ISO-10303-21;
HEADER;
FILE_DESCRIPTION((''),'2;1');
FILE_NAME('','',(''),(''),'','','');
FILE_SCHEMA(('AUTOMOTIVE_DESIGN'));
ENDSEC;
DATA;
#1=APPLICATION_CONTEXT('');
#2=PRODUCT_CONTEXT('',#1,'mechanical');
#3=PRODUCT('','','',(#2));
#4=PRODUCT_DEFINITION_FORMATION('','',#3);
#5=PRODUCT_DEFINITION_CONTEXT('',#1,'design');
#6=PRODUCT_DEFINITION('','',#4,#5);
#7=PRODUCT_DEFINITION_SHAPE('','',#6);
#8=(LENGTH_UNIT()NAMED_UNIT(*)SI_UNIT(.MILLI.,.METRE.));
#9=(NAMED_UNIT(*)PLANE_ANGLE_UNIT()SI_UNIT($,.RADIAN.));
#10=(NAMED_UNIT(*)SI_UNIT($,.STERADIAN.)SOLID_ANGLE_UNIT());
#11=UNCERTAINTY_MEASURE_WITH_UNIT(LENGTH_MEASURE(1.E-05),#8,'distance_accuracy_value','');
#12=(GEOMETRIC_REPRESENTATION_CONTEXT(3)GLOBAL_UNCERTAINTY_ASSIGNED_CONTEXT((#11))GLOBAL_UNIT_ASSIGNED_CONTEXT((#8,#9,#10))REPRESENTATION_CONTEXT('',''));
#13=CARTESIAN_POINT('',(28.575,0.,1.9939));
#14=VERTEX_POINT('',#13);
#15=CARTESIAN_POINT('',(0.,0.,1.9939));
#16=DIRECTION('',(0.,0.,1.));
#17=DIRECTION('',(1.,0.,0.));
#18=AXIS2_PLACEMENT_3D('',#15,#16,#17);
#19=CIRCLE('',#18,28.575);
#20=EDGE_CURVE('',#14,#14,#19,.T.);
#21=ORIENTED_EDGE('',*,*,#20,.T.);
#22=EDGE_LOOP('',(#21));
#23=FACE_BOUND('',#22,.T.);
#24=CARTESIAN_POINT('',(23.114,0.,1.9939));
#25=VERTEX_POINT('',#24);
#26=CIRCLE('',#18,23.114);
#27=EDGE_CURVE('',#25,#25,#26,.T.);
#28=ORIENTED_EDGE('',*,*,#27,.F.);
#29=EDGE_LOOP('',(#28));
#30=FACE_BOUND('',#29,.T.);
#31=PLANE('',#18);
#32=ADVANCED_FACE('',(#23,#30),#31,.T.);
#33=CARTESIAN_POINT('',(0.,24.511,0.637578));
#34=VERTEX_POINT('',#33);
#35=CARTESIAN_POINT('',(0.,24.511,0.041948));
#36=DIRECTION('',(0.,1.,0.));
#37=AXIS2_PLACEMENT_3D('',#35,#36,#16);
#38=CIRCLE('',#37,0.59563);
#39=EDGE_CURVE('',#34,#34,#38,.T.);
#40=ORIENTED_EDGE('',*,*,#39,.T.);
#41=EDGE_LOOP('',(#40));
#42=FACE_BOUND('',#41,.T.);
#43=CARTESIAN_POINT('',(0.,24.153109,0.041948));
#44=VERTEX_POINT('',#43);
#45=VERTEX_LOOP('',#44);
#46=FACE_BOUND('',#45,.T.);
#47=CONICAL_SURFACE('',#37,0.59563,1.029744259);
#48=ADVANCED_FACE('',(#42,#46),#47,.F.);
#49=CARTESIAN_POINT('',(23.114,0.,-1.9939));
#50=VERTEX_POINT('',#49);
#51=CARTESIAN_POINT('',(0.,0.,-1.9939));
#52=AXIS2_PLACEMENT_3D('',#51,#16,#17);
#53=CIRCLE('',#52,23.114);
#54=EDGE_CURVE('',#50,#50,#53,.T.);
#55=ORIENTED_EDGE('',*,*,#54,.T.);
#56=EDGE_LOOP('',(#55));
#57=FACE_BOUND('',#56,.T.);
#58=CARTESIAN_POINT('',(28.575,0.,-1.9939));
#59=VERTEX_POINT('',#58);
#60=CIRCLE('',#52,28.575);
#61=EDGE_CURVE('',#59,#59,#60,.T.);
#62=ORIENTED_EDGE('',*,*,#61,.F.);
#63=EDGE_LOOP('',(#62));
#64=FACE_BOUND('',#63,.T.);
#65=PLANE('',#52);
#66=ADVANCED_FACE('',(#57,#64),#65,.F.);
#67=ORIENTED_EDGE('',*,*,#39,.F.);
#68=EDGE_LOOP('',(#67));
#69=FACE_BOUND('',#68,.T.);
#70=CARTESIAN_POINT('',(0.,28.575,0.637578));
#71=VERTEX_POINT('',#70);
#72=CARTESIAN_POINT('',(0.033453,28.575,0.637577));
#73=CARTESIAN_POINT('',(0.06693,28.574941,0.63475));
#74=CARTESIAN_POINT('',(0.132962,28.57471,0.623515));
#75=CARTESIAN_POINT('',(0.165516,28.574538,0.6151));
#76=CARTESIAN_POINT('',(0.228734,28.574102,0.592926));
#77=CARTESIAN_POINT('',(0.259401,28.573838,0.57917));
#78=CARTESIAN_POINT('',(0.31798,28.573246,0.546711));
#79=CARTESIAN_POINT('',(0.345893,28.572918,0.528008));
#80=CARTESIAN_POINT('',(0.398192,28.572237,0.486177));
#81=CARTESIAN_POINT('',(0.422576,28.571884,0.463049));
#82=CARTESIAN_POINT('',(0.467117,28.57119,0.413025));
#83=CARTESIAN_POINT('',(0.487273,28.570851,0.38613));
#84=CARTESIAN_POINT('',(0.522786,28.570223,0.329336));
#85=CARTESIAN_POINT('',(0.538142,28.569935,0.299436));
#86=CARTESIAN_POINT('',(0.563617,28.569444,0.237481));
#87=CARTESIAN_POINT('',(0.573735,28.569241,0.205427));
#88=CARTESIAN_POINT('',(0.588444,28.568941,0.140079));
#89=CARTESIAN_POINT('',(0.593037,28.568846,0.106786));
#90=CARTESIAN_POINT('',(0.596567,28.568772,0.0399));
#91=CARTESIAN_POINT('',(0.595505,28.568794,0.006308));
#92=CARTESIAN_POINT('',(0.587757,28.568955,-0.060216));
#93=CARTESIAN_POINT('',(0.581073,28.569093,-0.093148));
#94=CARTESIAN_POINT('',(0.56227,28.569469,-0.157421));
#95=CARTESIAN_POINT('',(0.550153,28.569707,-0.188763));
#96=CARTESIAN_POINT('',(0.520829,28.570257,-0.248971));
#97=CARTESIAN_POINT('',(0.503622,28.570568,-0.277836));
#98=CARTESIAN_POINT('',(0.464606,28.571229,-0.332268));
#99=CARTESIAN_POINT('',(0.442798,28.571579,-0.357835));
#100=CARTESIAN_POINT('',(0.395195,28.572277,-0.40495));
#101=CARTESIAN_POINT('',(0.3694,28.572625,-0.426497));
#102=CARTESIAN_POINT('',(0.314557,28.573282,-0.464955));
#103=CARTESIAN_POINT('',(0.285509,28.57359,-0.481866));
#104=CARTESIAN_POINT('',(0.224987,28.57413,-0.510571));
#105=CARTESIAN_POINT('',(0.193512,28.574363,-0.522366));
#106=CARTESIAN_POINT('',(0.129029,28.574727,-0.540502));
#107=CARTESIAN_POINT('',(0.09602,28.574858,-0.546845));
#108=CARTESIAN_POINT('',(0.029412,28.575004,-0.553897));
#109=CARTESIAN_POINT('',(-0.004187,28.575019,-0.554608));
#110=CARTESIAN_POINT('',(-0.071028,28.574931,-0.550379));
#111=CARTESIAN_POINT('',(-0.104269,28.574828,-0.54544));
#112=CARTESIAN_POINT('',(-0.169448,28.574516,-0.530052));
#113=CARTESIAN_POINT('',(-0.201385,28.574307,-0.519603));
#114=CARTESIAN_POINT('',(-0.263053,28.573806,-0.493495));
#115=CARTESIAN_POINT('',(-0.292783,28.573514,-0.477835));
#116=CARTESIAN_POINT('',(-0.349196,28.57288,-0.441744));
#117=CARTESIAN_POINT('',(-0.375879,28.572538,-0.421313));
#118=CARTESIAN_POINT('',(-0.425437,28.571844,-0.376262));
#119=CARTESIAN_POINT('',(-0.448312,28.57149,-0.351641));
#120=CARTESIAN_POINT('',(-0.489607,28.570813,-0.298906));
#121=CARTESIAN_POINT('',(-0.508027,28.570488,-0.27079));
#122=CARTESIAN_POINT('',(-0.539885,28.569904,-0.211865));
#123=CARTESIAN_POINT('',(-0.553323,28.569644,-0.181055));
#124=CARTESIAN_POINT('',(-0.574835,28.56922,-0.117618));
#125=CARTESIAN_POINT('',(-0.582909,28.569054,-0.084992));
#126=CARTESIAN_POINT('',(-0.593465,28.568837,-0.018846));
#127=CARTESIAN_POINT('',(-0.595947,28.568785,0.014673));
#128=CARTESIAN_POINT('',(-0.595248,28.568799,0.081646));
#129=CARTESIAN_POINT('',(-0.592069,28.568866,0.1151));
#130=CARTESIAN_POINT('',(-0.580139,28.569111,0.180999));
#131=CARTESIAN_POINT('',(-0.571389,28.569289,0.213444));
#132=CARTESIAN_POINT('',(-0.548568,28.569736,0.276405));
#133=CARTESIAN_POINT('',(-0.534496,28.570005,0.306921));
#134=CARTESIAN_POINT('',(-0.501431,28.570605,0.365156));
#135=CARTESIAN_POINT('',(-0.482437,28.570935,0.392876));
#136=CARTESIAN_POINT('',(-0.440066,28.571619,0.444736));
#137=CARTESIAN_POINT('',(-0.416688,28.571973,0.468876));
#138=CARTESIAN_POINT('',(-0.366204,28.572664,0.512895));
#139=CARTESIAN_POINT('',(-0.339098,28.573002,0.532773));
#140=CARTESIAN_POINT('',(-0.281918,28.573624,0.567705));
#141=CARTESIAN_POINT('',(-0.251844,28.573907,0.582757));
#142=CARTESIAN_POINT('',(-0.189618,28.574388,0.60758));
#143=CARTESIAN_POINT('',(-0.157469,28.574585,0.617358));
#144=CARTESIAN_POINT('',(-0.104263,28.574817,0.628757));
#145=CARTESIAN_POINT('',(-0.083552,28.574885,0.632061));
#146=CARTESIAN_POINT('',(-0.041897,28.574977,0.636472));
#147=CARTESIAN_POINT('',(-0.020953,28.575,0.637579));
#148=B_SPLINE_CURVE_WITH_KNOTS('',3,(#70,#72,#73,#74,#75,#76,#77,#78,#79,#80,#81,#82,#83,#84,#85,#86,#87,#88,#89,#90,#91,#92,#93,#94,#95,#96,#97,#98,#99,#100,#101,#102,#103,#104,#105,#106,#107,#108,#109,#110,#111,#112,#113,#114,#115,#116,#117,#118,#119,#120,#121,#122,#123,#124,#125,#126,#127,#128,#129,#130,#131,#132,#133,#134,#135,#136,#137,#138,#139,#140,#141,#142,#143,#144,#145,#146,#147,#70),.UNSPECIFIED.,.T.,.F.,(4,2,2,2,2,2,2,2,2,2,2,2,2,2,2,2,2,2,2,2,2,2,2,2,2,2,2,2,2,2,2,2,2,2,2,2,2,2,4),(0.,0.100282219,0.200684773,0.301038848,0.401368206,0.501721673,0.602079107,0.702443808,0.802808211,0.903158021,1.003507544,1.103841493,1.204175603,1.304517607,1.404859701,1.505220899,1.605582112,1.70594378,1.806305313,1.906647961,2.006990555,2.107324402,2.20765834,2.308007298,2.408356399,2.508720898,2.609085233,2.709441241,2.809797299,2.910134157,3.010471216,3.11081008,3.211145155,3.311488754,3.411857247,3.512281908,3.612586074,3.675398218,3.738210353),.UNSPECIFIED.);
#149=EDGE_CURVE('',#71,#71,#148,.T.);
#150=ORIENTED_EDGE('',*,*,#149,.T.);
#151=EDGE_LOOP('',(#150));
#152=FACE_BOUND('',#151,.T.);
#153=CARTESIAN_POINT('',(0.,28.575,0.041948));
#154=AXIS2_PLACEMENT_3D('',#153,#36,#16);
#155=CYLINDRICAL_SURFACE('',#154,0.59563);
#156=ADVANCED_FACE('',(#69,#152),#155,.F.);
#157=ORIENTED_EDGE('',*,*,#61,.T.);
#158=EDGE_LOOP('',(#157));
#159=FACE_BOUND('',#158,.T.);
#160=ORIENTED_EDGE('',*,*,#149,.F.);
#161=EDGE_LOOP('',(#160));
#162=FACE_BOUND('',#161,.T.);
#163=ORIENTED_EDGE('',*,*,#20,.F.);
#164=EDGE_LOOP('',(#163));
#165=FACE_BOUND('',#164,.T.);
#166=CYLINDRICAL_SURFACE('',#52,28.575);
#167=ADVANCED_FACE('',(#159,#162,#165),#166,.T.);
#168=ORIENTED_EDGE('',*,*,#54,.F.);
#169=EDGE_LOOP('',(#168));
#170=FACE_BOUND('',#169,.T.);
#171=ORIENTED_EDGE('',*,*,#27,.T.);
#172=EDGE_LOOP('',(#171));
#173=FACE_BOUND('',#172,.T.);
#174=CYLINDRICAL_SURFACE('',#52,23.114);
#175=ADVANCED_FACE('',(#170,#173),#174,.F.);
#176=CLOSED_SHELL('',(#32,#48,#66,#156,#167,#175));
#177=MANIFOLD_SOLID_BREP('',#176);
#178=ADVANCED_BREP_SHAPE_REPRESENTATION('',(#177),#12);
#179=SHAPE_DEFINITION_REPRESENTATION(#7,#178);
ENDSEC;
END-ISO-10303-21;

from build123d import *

# Parameters (mm, degrees)
SKETCH1_R                 = 28.575
SKETCH1_R_2               = 23.114
BOSS_EXTRUDE1_DEPTH       = 1.9939
BOSS_EXTRUDE1_DEPTH_BACK  = 1.9939
F_0_80_TAPPED_HOLE1_D     = 1.19126
F_0_80_TAPPED_HOLE1_DEPTH = 4.064
F_0_80_TAPPED_HOLE1_TIP   = 0.357890611


with BuildPart() as part:
    # Sketch1 → Boss-Extrude1 (new body, two sides)
    with BuildSketch(Plane.XY) as boss_extrude1_sk:
        Circle(SKETCH1_R)
        Circle(SKETCH1_R_2, mode=Mode.SUBTRACT)
    extrude(amount=BOSS_EXTRUDE1_DEPTH)
    extrude(boss_extrude1_sk.sketch, amount=-BOSS_EXTRUDE1_DEPTH_BACK)

    # #0-80 Tapped Hole1
    with Locations(Plane(origin=(0, 28.575, 0.041948097), x_dir=(1, 0, 0), z_dir=(0, 1, 0))):
        with Locations((0, 0)):
            Hole(F_0_80_TAPPED_HOLE1_D / 2, depth=F_0_80_TAPPED_HOLE1_DEPTH)
            with Locations((0, 0, -(F_0_80_TAPPED_HOLE1_DEPTH + F_0_80_TAPPED_HOLE1_TIP / 2))):  # 118° drill point
                Cone(0, F_0_80_TAPPED_HOLE1_D / 2, F_0_80_TAPPED_HOLE1_TIP, mode=Mode.SUBTRACT)


solid = part.part
